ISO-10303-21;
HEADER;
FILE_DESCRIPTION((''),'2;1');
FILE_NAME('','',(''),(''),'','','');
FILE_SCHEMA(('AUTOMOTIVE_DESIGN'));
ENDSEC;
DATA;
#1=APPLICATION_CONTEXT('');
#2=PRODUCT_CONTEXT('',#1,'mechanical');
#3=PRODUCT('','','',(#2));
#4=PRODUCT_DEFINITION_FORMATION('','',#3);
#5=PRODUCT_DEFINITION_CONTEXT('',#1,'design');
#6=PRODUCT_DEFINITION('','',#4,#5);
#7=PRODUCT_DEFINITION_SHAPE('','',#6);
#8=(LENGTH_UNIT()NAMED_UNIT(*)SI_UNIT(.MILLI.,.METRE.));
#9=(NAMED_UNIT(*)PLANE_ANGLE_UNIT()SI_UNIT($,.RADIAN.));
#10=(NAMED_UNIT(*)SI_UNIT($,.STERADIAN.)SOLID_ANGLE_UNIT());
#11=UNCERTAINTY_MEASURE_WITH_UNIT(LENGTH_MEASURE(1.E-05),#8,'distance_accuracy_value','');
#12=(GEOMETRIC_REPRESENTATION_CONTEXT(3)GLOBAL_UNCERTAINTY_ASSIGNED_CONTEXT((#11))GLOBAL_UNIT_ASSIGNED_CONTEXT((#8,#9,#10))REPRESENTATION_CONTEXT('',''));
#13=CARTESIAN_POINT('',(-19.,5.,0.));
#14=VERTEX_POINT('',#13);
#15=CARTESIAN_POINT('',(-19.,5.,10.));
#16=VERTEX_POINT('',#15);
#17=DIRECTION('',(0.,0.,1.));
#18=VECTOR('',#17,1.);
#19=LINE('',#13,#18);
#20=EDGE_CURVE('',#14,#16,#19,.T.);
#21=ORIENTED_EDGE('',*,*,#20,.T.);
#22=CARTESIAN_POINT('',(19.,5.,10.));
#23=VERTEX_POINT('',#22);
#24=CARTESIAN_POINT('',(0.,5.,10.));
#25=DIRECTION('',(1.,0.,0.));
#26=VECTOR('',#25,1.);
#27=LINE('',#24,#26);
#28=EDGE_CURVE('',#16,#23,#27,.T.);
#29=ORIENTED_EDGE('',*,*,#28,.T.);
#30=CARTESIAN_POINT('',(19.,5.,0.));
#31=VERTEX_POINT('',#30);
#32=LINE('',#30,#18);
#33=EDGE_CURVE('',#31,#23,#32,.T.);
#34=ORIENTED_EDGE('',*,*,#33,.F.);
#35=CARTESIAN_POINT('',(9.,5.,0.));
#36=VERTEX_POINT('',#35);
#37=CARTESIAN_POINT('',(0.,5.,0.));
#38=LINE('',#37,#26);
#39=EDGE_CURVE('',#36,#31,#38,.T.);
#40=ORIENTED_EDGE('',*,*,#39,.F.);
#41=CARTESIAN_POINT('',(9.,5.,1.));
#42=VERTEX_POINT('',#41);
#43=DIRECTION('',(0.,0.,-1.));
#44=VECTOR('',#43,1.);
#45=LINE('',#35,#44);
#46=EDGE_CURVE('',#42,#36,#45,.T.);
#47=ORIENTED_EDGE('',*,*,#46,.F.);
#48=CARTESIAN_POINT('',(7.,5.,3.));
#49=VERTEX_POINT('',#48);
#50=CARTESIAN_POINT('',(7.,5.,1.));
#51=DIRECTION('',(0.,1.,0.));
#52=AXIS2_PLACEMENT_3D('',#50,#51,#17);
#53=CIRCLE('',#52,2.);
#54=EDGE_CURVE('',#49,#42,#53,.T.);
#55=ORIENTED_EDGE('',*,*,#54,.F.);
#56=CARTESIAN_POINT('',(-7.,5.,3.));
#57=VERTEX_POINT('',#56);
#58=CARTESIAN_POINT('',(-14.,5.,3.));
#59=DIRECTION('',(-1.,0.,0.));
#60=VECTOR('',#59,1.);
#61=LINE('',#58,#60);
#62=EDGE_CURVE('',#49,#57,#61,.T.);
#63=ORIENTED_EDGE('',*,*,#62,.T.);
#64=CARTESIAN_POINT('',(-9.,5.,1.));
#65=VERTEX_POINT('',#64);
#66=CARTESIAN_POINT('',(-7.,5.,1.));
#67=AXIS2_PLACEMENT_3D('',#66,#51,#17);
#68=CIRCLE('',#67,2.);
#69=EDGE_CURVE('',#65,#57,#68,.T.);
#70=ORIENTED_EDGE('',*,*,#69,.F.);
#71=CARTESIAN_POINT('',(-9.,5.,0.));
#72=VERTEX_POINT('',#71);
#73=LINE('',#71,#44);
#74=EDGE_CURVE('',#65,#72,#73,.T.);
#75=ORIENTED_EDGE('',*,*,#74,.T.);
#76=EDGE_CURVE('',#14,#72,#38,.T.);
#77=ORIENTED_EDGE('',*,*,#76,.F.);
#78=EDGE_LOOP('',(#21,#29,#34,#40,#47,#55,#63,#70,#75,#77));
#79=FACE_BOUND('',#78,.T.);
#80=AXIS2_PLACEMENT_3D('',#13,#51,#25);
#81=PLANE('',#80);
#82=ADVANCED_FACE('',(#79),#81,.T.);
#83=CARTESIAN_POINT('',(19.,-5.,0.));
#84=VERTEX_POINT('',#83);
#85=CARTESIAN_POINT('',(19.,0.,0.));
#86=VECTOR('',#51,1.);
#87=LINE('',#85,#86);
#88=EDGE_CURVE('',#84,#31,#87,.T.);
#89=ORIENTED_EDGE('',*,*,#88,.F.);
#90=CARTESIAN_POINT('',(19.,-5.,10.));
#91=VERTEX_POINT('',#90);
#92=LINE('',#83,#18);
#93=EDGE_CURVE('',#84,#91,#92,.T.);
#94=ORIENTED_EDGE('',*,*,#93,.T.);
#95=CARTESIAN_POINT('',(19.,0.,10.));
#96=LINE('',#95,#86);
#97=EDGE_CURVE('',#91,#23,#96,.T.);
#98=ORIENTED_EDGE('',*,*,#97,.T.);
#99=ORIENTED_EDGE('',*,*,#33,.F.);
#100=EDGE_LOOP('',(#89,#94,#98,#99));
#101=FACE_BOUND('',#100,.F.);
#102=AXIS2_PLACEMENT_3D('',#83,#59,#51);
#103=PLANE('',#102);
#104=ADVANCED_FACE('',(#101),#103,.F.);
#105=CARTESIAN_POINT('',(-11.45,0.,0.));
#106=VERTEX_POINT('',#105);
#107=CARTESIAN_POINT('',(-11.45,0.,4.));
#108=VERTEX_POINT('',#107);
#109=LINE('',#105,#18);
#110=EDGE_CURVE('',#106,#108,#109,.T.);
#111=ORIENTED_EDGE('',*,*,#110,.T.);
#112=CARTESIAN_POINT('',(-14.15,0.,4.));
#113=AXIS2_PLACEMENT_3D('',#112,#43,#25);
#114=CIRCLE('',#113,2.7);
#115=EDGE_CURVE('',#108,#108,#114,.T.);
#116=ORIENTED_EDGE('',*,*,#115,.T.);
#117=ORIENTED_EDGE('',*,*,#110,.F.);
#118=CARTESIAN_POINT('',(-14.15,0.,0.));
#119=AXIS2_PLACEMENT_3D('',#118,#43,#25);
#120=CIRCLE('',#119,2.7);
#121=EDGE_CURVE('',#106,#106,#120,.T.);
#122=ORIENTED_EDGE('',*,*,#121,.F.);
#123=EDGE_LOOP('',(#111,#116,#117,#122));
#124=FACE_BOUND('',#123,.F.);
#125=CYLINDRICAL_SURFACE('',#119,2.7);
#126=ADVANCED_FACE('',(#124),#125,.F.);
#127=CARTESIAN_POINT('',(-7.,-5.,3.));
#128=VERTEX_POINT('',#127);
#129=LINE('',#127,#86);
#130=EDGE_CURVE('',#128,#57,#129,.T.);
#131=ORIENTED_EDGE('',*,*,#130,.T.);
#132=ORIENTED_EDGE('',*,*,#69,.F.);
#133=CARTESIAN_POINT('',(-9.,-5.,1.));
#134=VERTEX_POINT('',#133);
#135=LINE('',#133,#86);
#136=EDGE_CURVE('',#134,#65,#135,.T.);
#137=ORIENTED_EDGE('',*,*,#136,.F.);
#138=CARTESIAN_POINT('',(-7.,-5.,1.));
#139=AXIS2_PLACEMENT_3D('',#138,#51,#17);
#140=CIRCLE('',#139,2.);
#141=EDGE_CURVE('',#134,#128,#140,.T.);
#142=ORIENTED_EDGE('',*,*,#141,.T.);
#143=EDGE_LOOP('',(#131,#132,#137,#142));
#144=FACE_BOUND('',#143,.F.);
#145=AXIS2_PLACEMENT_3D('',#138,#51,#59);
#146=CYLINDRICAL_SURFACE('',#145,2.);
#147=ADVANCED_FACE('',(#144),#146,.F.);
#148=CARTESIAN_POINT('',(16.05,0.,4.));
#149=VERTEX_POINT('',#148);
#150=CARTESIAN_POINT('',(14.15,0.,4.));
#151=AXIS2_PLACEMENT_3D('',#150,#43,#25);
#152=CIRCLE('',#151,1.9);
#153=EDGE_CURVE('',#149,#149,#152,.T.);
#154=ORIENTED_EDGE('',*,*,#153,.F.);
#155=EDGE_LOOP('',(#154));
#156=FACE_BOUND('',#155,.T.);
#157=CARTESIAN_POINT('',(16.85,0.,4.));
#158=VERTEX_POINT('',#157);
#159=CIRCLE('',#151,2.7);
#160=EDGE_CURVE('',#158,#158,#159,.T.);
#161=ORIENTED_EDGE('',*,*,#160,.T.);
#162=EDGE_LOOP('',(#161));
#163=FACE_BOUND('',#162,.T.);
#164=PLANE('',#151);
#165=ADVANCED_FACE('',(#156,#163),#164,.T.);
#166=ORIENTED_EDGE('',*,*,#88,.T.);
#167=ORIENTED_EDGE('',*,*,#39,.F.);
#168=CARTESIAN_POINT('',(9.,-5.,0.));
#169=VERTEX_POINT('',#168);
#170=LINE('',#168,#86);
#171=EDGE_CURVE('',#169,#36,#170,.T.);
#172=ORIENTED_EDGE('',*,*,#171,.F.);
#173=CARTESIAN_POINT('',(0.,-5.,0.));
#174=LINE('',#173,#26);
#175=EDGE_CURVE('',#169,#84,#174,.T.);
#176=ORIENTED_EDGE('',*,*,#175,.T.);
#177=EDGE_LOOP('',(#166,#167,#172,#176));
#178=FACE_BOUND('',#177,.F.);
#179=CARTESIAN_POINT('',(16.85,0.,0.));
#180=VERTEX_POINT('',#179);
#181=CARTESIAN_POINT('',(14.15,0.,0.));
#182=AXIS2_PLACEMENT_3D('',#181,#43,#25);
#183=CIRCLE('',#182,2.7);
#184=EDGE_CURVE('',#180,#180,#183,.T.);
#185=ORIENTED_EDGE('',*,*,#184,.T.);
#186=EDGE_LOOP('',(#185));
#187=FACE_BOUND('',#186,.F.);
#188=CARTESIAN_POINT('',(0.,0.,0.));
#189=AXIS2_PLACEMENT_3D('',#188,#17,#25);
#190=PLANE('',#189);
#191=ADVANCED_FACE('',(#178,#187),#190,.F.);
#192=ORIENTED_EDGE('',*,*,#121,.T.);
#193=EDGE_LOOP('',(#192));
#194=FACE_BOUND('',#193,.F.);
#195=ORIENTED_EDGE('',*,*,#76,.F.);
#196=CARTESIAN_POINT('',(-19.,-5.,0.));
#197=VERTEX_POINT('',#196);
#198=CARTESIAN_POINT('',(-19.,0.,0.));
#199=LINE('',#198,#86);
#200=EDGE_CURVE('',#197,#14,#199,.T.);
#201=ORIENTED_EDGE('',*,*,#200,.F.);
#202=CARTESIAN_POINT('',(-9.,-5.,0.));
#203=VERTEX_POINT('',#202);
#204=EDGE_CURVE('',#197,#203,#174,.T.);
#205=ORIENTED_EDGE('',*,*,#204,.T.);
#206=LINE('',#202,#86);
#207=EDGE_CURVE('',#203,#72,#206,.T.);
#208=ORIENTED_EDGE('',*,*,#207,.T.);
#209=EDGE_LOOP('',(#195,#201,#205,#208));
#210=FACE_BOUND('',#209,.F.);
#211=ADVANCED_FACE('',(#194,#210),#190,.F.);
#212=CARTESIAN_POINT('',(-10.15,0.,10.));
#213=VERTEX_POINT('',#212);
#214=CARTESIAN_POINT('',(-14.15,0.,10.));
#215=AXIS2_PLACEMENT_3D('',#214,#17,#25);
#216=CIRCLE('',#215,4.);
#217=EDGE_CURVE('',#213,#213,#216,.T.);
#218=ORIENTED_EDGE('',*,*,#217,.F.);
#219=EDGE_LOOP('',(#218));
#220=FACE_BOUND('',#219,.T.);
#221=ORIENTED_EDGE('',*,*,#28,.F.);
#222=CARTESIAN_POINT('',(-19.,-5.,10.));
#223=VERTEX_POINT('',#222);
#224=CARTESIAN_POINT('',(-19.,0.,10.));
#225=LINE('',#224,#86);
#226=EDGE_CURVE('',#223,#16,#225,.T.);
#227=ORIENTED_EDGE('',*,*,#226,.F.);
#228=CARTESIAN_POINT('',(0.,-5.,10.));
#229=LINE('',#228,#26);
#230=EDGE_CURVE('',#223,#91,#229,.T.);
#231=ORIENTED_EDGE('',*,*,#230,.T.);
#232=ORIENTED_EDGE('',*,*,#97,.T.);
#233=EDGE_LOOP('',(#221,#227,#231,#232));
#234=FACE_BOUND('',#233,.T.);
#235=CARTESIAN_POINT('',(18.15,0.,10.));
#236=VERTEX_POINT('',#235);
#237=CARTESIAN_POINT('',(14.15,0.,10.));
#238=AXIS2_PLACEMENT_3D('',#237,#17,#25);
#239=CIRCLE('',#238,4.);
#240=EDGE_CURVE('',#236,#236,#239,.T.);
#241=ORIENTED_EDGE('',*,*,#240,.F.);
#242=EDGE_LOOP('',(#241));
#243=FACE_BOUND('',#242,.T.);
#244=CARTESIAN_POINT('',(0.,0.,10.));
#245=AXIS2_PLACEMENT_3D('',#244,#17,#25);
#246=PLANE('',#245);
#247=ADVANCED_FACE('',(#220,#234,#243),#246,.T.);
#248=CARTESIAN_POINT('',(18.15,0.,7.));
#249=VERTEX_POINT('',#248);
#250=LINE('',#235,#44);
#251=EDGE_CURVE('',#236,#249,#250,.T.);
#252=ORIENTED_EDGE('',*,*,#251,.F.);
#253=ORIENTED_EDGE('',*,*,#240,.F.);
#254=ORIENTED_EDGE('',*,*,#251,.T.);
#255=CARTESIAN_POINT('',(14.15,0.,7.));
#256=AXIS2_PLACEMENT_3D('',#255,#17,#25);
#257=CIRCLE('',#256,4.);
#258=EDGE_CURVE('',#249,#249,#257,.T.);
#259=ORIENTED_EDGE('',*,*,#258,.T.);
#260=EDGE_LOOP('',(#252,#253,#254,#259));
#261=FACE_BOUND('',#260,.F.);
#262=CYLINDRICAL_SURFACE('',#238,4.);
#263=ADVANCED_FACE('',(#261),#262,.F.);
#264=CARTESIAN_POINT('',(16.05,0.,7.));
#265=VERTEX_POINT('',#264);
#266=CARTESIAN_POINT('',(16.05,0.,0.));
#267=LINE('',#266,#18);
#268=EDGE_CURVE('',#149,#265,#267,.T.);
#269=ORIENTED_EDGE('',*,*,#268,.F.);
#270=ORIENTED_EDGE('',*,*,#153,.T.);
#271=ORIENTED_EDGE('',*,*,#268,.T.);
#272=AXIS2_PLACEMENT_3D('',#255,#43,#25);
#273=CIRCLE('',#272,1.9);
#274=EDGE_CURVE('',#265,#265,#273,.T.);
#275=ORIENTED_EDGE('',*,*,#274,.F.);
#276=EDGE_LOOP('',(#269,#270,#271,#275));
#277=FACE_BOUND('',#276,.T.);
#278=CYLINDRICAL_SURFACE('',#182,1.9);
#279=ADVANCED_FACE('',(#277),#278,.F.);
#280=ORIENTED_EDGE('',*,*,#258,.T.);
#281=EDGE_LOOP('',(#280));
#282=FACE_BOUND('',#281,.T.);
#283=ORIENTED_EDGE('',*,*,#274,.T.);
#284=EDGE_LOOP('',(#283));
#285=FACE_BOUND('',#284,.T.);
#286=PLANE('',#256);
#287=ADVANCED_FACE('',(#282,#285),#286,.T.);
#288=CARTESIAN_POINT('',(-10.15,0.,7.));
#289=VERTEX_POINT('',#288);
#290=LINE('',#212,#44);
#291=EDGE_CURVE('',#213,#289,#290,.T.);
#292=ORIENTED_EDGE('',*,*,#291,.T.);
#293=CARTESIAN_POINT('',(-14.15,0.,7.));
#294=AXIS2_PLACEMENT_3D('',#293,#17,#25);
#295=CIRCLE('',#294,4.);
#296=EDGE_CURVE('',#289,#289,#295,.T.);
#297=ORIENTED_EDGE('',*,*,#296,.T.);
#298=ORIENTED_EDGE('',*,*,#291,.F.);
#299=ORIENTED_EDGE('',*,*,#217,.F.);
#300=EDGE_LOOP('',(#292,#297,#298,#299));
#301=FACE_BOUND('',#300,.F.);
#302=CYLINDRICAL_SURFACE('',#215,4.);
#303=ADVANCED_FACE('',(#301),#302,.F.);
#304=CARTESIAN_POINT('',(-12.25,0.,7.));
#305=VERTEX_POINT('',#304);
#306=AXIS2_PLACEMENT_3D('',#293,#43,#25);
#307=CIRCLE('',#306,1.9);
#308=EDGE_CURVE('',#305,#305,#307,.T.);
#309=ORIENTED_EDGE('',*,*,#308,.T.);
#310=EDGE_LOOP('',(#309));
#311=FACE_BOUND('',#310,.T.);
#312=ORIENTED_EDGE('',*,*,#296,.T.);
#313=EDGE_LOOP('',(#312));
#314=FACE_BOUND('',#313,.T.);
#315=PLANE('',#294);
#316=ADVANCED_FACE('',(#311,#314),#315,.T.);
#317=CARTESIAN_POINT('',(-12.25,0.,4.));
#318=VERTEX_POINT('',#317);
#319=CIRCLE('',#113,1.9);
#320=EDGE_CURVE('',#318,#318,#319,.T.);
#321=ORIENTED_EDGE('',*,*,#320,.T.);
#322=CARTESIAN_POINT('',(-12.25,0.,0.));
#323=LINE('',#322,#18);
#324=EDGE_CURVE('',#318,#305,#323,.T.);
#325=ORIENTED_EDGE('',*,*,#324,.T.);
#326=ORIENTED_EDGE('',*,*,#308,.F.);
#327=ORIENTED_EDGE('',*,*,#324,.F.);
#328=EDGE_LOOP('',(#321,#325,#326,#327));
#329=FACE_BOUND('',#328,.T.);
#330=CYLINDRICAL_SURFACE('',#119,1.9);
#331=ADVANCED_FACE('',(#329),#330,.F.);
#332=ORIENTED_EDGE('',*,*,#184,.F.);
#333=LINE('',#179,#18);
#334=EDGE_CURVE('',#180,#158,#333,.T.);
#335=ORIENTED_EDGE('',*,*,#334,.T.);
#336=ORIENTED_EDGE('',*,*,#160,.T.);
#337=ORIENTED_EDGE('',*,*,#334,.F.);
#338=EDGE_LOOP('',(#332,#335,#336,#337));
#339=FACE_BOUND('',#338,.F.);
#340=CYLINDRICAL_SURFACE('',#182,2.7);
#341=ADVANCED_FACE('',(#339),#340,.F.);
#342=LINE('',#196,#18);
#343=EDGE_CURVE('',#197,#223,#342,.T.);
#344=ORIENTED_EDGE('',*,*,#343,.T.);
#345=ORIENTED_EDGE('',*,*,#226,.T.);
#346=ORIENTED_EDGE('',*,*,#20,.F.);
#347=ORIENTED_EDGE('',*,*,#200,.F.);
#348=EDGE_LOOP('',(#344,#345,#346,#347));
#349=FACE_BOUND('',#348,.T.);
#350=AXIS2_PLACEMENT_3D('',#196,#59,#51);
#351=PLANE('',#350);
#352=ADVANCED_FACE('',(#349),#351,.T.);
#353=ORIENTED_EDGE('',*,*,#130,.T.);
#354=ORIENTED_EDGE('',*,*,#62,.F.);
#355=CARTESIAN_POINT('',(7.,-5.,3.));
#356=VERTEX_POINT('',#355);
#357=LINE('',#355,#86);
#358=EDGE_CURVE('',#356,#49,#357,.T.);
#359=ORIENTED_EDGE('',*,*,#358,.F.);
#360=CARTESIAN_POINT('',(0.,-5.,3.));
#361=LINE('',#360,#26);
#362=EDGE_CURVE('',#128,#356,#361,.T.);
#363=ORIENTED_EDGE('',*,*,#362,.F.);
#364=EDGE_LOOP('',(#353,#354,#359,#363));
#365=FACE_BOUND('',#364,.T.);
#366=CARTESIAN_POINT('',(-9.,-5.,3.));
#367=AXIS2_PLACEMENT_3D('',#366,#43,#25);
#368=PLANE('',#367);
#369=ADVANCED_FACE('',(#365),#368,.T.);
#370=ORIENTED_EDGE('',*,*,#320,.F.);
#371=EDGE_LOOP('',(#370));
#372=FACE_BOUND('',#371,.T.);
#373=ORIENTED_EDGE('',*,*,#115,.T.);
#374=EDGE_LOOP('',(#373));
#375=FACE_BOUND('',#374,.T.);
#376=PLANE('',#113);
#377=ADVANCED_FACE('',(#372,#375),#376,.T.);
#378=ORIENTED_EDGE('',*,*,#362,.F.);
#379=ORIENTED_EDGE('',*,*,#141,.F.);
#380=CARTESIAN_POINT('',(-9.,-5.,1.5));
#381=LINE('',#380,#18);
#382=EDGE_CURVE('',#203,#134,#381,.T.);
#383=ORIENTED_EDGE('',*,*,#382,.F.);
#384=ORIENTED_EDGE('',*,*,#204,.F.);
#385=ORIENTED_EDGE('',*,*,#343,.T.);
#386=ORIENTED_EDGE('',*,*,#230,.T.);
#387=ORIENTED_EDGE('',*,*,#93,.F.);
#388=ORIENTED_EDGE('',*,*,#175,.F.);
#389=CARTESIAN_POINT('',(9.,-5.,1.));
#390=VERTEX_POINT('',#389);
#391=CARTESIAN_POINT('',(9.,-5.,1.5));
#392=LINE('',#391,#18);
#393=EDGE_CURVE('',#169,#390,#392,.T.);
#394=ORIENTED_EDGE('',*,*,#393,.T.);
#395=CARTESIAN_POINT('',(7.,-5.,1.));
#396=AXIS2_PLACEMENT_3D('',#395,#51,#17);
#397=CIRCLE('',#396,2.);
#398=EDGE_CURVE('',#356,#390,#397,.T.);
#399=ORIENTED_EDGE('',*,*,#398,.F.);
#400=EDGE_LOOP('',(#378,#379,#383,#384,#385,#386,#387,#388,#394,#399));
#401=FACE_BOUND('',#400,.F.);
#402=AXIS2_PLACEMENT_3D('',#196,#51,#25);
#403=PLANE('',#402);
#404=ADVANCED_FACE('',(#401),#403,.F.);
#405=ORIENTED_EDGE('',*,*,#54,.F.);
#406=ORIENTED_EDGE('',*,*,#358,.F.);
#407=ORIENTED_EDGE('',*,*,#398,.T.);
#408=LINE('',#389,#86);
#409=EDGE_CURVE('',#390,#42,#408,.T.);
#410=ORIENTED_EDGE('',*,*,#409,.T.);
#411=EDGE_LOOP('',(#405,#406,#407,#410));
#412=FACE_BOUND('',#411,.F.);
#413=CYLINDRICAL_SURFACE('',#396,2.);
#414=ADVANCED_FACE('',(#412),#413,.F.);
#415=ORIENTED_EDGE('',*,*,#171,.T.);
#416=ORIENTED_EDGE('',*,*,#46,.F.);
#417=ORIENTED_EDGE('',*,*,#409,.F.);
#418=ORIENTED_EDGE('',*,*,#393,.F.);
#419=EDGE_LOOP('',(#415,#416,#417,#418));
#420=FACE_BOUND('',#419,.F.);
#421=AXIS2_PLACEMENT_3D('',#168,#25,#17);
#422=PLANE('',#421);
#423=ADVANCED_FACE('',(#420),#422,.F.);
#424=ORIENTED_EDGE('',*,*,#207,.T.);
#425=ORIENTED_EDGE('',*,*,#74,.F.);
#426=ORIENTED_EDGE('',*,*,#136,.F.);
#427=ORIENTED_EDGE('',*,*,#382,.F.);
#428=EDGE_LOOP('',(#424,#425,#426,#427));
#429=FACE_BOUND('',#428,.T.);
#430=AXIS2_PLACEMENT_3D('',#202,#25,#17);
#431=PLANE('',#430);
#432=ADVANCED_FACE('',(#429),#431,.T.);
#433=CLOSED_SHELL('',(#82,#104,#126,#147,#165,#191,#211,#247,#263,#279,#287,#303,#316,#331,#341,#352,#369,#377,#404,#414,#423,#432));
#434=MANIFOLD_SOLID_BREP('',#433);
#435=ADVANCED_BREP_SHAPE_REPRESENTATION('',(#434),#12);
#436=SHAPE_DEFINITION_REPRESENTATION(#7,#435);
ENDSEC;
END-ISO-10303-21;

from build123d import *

# Parameters (mm, degrees)
F0_W     = 38
F0_H     = 10
F0_R     = 1.9
F1_DEPTH = 10
F2_W     = 18
F2_H     = 3
F3_DEPTH = 10.001
F4_R     = 2.7
F5_DEPTH = 4
F6_R     = 2
F7_R     = 4
F8_DEPTH = 3


with BuildPart() as f1:
    # F0 (on Top) → F1 (new body)
    with BuildSketch(Plane.XY):
        Rectangle(F0_W, F0_H)
        with Locations((-14.15, 0)):
            Circle(F0_R, mode=Mode.SUBTRACT)
        with Locations((14.15, 0)):
            Circle(F0_R, mode=Mode.SUBTRACT)
    extrude(amount=F1_DEPTH)

    # F2 (on face) → F3 (cut, through all)
    with BuildSketch(Plane.XZ.offset(5)):
        with Locations((0, 1.5)):
            Rectangle(F2_W, F2_H)
    extrude(amount=-F3_DEPTH, mode=Mode.SUBTRACT)

    # F4 (on face) → F5 (cut)
    with BuildSketch(Plane(origin=(0, 0, 0), x_dir=(1, 0, 0), z_dir=(0, 0, -1))):
        with Locations((-14.15, 0)):
            Circle(F4_R)
        with Locations((14.15, 0)):
            Circle(F4_R)
    extrude(amount=-F5_DEPTH, mode=Mode.SUBTRACT)

    # F6
    f6_edges = [f1.edges().sort_by_distance(p)[0] for p in [
        (-9, 0, 3),
        (9, 0, 3),
    ]]
    fillet(f6_edges, radius=F6_R)

    # F7 (on face) → F8 (cut)
    with BuildSketch(Plane.XY.offset(10)):
        with Locations((-14.15, 0)):
            Circle(F7_R)
        with Locations((14.15, 0)):
            Circle(F7_R)
    extrude(amount=-F8_DEPTH, mode=Mode.SUBTRACT)


solid = f1.part
